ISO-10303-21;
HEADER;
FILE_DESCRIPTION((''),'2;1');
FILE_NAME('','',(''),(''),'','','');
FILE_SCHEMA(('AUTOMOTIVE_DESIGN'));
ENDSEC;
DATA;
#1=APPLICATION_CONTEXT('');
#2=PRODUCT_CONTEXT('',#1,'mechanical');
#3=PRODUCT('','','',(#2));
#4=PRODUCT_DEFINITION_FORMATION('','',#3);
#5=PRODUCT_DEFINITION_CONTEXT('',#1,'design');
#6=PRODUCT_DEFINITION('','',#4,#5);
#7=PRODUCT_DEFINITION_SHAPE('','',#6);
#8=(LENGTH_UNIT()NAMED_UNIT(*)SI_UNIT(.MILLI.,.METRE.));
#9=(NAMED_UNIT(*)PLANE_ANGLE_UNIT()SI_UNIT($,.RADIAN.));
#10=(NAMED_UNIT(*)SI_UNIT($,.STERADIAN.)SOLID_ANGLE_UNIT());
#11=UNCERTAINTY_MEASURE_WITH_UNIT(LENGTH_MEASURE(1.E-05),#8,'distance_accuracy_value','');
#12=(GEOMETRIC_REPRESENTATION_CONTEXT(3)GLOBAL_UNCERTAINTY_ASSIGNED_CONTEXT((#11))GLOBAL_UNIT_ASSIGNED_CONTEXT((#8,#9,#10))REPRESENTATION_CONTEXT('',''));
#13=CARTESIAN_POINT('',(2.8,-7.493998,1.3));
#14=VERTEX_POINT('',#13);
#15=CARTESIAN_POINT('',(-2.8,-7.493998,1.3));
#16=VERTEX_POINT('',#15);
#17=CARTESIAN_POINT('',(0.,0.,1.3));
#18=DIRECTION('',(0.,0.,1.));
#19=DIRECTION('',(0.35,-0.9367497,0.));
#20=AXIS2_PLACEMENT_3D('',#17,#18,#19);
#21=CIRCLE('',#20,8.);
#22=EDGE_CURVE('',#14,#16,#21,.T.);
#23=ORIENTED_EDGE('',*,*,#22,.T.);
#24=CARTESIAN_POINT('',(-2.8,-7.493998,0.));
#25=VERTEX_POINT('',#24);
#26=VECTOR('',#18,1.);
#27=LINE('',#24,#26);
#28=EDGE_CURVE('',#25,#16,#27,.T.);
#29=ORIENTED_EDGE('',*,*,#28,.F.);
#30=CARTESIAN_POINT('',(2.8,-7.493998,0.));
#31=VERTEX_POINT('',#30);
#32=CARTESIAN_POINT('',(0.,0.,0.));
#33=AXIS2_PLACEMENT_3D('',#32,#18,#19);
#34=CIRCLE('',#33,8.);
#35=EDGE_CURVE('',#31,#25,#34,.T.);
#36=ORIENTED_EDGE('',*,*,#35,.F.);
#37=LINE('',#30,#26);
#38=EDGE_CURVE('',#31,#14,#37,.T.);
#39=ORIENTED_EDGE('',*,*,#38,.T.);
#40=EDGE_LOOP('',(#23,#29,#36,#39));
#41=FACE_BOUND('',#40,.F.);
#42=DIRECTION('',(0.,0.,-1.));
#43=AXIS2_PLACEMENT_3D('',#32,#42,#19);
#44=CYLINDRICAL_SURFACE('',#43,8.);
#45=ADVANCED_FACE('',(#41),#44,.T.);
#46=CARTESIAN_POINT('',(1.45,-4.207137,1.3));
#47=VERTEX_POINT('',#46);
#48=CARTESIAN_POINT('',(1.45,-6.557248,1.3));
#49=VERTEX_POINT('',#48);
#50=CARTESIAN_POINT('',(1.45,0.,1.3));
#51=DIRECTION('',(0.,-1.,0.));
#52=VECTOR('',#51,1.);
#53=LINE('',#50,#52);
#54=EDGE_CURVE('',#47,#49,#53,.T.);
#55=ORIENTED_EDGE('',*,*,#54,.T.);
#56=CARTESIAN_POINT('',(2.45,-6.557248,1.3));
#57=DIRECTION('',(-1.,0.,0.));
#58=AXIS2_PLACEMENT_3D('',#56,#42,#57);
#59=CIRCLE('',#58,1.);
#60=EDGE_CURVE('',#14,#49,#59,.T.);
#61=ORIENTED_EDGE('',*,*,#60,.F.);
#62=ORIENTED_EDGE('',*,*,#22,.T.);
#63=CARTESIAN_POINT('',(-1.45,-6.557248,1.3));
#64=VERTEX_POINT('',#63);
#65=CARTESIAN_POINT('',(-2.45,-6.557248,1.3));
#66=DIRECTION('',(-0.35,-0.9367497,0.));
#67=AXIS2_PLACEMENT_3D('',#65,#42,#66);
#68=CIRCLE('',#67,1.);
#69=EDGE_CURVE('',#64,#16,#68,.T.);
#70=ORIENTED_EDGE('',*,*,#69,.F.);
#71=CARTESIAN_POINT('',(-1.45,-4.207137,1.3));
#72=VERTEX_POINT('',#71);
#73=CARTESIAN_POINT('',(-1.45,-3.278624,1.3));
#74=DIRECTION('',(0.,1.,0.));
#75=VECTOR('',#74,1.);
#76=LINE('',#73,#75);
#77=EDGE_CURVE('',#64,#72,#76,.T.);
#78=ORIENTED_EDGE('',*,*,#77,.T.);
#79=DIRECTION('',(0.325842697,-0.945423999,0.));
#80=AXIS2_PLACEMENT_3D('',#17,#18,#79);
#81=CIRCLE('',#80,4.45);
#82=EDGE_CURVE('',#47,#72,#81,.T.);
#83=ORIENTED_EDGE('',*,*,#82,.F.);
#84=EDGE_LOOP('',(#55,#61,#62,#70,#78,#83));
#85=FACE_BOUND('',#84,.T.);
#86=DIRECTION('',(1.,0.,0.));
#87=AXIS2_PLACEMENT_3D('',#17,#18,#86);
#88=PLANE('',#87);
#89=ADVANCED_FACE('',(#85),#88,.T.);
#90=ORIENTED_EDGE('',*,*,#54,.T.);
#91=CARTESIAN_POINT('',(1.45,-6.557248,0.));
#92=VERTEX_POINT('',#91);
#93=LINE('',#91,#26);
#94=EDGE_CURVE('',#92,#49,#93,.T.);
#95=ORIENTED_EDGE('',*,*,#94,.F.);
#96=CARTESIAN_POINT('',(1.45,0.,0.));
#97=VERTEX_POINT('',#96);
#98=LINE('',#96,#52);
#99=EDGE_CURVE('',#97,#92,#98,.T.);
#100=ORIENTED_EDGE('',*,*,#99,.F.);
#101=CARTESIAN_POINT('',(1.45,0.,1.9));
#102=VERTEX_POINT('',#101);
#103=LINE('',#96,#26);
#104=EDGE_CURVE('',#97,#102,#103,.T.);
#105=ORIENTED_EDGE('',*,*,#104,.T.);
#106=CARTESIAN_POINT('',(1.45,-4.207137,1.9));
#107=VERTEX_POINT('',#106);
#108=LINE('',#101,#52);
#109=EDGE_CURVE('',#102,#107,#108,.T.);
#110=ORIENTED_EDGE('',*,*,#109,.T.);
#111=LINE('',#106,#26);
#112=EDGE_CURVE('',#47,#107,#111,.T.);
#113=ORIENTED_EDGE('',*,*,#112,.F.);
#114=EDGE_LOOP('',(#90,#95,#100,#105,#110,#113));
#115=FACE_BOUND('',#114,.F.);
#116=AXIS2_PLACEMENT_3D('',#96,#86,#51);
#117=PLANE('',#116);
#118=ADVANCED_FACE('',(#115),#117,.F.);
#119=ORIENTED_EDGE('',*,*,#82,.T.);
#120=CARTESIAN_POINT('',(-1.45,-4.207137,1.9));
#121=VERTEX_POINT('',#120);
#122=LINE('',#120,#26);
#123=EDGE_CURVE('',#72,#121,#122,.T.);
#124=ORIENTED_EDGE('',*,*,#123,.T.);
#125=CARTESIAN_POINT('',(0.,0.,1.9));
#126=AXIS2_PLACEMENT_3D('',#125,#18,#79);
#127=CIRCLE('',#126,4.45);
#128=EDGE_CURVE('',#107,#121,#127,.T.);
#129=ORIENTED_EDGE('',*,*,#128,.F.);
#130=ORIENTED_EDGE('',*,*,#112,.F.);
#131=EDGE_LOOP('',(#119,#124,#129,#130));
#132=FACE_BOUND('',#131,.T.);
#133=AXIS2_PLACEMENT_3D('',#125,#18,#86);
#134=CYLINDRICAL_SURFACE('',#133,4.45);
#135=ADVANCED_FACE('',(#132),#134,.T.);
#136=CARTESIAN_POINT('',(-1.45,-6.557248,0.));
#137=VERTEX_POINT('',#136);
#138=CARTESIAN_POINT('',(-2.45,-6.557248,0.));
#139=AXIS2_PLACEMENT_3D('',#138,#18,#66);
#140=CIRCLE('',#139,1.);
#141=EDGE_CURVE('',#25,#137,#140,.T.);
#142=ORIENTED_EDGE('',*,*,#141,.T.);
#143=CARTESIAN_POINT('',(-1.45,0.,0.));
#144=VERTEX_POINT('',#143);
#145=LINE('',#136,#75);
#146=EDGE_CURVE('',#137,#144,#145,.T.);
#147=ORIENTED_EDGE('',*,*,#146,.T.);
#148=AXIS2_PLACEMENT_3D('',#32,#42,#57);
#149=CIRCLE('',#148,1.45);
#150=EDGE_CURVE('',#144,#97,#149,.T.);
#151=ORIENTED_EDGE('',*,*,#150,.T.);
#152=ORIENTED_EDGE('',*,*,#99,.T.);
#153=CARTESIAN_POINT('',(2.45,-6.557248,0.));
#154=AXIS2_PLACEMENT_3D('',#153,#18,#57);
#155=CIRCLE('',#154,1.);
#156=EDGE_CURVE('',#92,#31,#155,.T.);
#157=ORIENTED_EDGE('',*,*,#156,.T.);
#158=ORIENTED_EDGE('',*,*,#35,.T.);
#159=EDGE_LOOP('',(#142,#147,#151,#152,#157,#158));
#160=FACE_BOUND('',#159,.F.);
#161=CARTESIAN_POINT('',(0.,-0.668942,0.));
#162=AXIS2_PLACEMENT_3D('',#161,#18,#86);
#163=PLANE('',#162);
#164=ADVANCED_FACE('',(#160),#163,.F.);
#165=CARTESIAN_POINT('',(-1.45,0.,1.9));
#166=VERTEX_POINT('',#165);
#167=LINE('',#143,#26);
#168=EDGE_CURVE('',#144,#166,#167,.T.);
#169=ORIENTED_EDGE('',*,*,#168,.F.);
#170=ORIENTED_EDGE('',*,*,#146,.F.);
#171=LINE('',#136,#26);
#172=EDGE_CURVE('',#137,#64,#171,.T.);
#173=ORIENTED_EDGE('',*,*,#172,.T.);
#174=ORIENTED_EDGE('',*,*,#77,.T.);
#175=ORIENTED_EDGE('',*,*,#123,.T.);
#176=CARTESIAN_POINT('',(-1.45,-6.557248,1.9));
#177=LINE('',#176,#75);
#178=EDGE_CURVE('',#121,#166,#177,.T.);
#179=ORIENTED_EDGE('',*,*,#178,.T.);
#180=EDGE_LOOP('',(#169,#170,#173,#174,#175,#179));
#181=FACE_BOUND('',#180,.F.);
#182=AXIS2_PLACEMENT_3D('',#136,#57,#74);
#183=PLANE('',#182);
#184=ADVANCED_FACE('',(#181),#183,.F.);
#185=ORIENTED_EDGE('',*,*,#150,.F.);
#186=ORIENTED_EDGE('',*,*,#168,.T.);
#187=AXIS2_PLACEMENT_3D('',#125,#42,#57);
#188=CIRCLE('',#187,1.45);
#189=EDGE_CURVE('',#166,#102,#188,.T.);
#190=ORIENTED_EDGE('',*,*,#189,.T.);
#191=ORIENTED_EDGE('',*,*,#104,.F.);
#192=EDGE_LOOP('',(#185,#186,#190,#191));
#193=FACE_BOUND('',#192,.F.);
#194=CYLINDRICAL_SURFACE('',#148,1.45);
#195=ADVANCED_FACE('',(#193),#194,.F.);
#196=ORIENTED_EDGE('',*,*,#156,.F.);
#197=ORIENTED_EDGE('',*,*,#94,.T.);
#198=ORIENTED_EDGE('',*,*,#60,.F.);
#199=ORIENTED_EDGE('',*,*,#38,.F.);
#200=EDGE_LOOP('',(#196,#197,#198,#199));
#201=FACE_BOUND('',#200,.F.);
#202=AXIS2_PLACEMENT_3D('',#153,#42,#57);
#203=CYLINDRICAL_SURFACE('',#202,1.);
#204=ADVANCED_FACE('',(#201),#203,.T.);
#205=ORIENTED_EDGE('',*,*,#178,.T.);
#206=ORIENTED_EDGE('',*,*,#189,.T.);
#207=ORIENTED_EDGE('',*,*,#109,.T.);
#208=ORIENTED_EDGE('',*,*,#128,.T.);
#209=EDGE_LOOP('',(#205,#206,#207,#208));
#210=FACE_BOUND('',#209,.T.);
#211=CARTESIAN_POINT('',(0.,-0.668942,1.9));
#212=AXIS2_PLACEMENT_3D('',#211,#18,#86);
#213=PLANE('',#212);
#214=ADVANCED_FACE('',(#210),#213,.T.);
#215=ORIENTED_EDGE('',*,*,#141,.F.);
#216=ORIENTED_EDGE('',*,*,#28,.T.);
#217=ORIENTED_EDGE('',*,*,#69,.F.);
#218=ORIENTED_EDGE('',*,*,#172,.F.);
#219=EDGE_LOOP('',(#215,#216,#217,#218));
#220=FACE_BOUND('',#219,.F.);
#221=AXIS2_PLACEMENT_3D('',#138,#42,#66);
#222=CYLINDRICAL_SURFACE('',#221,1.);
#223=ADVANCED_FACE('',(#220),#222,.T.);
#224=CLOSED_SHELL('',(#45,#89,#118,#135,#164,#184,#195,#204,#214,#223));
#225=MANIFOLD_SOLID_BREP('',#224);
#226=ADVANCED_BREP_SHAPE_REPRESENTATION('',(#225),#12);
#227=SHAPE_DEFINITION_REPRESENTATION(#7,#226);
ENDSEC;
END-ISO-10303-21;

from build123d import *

# Parameters (mm, degrees)
F1_DEPTH = 1.9
F2_R     = 8
F2_R_2   = 4.45
F3_DEPTH = 0.6


with BuildPart() as f1:
    # F0 (on Top) → F1 (new body)
    with BuildSketch(Plane.XY):
        with BuildLine():
            ThreePointArc((-1.45, 0), (0, 1.45), (1.45, 0))
            Line((1.45, 0), (1.45, -6.5572478983))
            ThreePointArc((1.45, -6.5572478983), (1.8799122875, -7.3788317346), (2.8, -7.4939975981))
            ThreePointArc((2.8, -7.4939975981), (0, 8), (-2.8, -7.4939975981))
            ThreePointArc((-2.8, -7.4939975981), (-1.8799122875, -7.3788317346), (-1.45, -6.5572478983))
            Line((-1.45, -6.5572478983), (-1.45, 0))
        make_face()
    extrude(amount=F1_DEPTH)

    # F2 (on face) → F3 (cut)
    with BuildSketch(Plane.XY.offset(1.9)):
        Circle(F2_R)
        Circle(F2_R_2, mode=Mode.SUBTRACT)
    extrude(amount=-F3_DEPTH, mode=Mode.SUBTRACT)


solid = f1.part
